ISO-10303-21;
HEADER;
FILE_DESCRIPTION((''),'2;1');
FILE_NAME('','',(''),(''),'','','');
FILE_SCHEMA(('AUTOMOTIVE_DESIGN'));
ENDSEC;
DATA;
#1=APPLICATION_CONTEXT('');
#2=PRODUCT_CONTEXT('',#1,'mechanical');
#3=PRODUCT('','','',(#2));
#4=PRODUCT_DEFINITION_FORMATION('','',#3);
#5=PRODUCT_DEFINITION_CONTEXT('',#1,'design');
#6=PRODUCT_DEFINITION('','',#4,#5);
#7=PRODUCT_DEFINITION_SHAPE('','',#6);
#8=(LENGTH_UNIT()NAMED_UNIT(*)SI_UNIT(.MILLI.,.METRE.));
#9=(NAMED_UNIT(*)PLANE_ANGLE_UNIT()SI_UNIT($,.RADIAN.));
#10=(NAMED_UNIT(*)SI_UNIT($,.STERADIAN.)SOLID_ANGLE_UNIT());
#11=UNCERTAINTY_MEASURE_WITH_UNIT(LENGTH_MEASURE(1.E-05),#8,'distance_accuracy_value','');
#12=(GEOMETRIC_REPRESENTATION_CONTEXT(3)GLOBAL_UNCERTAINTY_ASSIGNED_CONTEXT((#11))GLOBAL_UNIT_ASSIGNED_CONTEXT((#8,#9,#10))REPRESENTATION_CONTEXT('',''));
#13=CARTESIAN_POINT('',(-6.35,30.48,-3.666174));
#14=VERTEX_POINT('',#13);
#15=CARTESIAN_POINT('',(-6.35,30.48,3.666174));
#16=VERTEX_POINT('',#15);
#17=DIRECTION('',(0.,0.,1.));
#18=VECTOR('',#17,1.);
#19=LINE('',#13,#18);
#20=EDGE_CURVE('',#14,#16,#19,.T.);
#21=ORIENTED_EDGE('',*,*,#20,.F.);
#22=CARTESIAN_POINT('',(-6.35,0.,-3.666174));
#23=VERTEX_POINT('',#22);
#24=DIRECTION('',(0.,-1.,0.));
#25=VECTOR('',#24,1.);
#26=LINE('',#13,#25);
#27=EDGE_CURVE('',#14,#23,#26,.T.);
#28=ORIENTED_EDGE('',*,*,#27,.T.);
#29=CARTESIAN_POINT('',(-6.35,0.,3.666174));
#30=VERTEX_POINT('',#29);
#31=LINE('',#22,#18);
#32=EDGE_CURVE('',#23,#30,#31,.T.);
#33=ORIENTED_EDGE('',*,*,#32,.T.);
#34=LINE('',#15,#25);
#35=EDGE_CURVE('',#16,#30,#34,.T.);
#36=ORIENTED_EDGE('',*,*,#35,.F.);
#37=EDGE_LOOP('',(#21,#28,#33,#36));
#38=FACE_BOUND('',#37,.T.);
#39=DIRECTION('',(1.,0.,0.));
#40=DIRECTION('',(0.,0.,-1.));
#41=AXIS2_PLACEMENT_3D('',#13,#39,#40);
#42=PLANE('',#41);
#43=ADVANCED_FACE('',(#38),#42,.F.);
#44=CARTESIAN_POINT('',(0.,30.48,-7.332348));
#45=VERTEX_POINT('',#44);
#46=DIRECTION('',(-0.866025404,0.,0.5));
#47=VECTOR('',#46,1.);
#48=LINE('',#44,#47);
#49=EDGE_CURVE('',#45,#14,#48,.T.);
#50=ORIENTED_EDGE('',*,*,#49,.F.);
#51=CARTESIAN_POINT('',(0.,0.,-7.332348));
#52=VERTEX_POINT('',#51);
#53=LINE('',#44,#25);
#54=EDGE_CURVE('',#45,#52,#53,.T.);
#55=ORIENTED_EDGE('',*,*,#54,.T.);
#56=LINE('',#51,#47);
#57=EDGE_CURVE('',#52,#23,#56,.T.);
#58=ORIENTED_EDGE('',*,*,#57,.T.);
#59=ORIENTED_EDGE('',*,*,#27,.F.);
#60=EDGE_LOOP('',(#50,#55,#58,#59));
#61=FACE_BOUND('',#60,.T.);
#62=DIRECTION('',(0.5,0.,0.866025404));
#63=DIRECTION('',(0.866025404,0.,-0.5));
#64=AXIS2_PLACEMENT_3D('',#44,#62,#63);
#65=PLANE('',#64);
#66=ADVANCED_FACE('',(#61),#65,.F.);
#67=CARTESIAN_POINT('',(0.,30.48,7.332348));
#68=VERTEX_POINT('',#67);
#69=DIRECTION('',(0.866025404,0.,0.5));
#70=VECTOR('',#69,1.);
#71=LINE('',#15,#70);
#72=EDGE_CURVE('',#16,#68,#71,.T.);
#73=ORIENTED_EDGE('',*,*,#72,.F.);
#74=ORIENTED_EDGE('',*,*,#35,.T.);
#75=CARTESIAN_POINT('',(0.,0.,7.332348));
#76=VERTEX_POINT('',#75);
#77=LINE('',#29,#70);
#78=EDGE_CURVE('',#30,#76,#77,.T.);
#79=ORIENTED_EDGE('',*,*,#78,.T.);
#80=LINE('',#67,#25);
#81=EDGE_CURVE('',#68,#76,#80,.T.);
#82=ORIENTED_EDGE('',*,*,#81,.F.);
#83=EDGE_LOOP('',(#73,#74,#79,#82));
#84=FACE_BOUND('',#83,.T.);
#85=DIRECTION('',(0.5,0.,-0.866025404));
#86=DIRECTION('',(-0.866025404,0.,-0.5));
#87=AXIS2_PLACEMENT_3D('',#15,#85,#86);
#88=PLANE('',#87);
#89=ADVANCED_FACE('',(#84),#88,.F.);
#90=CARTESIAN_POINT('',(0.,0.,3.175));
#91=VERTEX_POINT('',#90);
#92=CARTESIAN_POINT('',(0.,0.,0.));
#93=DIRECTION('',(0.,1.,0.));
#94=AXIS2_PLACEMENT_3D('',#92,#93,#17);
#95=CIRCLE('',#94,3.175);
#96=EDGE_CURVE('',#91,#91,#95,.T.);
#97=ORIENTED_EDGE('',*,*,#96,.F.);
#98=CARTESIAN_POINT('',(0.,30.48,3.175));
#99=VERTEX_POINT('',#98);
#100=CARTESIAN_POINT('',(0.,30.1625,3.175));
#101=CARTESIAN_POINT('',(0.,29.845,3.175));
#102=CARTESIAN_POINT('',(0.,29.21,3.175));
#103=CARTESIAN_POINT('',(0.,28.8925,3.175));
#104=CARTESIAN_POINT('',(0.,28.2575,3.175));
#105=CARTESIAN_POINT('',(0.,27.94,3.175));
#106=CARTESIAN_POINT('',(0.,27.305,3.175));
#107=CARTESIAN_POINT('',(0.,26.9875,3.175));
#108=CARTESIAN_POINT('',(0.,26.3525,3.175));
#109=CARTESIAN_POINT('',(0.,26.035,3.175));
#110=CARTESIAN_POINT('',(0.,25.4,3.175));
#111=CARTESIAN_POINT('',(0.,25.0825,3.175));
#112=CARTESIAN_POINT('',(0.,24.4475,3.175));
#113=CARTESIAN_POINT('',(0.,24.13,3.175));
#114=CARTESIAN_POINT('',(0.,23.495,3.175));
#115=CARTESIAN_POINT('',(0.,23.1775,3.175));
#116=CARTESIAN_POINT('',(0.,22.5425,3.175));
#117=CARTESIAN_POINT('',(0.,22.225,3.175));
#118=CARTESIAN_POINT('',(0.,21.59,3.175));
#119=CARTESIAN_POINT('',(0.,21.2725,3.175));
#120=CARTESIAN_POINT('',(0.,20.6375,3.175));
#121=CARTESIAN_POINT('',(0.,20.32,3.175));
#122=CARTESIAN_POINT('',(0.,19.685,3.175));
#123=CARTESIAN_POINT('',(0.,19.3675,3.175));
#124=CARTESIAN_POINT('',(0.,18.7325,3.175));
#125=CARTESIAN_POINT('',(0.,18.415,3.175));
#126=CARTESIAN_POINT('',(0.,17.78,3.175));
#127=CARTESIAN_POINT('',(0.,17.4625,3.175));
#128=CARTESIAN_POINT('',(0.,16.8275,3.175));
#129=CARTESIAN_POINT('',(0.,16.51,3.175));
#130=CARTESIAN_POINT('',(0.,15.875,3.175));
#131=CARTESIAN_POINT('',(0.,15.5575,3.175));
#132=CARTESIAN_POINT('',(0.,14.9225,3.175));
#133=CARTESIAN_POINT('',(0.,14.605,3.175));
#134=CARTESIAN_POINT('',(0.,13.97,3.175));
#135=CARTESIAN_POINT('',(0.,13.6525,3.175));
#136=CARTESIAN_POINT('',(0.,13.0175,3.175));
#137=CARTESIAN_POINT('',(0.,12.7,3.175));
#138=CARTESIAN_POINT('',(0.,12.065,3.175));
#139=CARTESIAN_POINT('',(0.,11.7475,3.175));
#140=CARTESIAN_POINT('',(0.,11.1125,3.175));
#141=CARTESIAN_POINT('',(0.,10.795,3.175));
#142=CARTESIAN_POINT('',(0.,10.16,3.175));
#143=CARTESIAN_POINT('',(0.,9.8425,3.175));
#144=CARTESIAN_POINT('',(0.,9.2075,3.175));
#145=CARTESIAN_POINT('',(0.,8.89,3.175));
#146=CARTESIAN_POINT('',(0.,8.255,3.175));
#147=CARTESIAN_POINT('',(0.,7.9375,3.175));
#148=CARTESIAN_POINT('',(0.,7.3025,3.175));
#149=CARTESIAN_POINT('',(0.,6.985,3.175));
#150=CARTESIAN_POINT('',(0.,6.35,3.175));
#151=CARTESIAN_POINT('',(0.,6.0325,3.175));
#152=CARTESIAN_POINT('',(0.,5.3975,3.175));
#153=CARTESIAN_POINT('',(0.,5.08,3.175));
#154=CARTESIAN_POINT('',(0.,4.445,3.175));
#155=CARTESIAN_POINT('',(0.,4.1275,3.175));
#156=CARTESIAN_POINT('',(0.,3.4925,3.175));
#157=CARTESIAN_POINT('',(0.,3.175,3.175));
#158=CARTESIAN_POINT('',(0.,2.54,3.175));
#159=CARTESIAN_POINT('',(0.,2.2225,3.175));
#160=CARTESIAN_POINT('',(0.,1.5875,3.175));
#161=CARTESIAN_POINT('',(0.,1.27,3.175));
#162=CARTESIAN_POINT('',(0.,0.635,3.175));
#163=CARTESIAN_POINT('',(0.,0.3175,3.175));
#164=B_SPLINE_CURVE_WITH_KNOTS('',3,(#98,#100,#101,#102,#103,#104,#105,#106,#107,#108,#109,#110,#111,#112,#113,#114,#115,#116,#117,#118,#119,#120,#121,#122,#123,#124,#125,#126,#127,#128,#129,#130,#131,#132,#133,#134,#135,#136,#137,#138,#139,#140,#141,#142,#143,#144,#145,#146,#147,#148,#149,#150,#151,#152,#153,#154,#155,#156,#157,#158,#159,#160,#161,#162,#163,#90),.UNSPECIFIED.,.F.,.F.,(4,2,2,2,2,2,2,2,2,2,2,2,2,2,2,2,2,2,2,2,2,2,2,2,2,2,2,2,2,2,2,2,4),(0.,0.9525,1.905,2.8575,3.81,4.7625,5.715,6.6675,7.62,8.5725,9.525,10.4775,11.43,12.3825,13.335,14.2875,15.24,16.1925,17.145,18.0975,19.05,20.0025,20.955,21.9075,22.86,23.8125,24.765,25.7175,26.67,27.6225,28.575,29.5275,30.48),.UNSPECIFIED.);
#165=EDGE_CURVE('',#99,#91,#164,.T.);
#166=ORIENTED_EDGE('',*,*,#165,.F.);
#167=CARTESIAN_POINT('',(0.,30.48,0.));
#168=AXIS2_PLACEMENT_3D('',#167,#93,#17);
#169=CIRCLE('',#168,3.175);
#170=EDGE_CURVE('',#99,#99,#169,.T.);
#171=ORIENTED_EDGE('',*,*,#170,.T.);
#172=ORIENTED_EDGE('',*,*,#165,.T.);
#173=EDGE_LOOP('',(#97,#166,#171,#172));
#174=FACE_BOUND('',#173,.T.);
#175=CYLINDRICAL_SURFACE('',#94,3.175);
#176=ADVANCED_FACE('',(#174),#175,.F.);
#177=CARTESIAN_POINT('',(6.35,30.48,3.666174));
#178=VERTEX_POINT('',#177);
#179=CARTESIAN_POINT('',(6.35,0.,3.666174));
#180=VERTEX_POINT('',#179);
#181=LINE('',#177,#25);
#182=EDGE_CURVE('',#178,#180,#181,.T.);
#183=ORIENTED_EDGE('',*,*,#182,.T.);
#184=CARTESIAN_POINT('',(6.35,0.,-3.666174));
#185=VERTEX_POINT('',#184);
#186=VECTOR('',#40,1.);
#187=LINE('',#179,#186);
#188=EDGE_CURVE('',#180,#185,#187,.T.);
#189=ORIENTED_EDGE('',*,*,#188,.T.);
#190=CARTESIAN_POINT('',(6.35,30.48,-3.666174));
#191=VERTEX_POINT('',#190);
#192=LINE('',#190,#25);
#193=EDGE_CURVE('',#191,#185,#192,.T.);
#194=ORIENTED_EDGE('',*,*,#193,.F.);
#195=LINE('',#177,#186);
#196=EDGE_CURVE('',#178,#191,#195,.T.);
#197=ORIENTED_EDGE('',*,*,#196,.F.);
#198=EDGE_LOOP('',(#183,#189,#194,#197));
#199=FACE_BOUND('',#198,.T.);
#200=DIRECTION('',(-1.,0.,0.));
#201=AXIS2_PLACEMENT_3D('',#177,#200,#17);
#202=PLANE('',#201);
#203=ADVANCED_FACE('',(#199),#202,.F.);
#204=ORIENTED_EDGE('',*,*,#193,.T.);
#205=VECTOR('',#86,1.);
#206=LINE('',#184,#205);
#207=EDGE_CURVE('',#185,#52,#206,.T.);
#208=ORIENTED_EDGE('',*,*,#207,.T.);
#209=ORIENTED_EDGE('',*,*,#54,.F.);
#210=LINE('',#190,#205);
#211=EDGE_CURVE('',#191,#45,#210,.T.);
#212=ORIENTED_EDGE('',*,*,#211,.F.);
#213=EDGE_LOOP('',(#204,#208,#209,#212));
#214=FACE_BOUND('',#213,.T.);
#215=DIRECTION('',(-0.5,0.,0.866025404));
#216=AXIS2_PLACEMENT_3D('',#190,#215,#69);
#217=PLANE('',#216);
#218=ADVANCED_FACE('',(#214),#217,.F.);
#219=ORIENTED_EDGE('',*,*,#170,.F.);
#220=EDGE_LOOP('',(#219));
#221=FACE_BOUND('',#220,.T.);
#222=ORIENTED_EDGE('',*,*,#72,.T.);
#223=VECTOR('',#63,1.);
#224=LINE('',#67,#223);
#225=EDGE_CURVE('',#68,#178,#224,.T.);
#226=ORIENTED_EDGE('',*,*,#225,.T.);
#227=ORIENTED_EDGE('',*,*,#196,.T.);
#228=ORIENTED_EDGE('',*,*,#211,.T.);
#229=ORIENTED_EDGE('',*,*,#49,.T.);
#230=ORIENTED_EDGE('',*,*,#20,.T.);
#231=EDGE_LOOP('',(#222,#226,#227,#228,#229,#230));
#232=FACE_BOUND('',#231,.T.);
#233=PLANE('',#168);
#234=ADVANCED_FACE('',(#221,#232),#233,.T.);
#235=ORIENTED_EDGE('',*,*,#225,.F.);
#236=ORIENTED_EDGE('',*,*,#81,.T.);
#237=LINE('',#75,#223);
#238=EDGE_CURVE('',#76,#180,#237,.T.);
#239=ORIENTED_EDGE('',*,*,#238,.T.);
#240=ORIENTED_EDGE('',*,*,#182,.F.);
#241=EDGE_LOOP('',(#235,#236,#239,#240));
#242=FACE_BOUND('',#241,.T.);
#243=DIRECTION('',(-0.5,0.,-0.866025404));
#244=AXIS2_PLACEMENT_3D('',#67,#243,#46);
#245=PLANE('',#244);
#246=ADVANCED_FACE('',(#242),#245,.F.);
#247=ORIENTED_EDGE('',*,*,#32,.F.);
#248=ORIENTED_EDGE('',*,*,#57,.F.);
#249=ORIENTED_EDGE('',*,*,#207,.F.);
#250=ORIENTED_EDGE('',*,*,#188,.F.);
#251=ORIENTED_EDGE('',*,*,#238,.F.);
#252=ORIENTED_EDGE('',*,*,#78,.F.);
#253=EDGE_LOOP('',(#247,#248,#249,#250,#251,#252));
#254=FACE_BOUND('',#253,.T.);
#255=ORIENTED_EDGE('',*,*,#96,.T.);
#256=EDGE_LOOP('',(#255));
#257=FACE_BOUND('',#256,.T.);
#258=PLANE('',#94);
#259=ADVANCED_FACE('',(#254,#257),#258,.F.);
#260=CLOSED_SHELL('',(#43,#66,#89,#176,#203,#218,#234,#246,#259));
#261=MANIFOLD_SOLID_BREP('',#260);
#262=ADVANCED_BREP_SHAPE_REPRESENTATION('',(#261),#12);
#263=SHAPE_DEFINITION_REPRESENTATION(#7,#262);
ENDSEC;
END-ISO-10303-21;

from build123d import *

# Parameters (mm, degrees)
BOSS_EXTRUDE1_DEPTH     = 30.48
CUT_EXTRUDE1_DEPTH      = 32.986188165
CUT_EXTRUDE1_DEPTH_BACK = 32.986188165
SKETCH2_R               = 3.175


with BuildPart() as part:
    # Sketch1 → Boss-Extrude1 (new body)
    with BuildSketch(Plane(origin=(0, 0, 0), x_dir=(1, 0, 0), z_dir=(0, 1, 0))):
        Polygon((0, -7.332348419), (6.35, -3.666174209), (6.35, 3.666174209), (0, 7.332348419), (-6.35, 3.666174209), (-6.35, -3.666174209), align=None)
    extrude(amount=BOSS_EXTRUDE1_DEPTH)

    # Sketch2 → Cut-Extrude1 (cut, two sides: drawn at the far end of the back side and taken through both)
    with BuildSketch(Plane(origin=(0, 30.48, 0), x_dir=(1, 0, 0), z_dir=(0, 1, 0)).offset(-CUT_EXTRUDE1_DEPTH_BACK)):
        with Locations(Location((0, 0, 0), (0, 0, 270))):
            Circle(SKETCH2_R)
    extrude(amount=CUT_EXTRUDE1_DEPTH + CUT_EXTRUDE1_DEPTH_BACK, mode=Mode.SUBTRACT)


solid = part.part
